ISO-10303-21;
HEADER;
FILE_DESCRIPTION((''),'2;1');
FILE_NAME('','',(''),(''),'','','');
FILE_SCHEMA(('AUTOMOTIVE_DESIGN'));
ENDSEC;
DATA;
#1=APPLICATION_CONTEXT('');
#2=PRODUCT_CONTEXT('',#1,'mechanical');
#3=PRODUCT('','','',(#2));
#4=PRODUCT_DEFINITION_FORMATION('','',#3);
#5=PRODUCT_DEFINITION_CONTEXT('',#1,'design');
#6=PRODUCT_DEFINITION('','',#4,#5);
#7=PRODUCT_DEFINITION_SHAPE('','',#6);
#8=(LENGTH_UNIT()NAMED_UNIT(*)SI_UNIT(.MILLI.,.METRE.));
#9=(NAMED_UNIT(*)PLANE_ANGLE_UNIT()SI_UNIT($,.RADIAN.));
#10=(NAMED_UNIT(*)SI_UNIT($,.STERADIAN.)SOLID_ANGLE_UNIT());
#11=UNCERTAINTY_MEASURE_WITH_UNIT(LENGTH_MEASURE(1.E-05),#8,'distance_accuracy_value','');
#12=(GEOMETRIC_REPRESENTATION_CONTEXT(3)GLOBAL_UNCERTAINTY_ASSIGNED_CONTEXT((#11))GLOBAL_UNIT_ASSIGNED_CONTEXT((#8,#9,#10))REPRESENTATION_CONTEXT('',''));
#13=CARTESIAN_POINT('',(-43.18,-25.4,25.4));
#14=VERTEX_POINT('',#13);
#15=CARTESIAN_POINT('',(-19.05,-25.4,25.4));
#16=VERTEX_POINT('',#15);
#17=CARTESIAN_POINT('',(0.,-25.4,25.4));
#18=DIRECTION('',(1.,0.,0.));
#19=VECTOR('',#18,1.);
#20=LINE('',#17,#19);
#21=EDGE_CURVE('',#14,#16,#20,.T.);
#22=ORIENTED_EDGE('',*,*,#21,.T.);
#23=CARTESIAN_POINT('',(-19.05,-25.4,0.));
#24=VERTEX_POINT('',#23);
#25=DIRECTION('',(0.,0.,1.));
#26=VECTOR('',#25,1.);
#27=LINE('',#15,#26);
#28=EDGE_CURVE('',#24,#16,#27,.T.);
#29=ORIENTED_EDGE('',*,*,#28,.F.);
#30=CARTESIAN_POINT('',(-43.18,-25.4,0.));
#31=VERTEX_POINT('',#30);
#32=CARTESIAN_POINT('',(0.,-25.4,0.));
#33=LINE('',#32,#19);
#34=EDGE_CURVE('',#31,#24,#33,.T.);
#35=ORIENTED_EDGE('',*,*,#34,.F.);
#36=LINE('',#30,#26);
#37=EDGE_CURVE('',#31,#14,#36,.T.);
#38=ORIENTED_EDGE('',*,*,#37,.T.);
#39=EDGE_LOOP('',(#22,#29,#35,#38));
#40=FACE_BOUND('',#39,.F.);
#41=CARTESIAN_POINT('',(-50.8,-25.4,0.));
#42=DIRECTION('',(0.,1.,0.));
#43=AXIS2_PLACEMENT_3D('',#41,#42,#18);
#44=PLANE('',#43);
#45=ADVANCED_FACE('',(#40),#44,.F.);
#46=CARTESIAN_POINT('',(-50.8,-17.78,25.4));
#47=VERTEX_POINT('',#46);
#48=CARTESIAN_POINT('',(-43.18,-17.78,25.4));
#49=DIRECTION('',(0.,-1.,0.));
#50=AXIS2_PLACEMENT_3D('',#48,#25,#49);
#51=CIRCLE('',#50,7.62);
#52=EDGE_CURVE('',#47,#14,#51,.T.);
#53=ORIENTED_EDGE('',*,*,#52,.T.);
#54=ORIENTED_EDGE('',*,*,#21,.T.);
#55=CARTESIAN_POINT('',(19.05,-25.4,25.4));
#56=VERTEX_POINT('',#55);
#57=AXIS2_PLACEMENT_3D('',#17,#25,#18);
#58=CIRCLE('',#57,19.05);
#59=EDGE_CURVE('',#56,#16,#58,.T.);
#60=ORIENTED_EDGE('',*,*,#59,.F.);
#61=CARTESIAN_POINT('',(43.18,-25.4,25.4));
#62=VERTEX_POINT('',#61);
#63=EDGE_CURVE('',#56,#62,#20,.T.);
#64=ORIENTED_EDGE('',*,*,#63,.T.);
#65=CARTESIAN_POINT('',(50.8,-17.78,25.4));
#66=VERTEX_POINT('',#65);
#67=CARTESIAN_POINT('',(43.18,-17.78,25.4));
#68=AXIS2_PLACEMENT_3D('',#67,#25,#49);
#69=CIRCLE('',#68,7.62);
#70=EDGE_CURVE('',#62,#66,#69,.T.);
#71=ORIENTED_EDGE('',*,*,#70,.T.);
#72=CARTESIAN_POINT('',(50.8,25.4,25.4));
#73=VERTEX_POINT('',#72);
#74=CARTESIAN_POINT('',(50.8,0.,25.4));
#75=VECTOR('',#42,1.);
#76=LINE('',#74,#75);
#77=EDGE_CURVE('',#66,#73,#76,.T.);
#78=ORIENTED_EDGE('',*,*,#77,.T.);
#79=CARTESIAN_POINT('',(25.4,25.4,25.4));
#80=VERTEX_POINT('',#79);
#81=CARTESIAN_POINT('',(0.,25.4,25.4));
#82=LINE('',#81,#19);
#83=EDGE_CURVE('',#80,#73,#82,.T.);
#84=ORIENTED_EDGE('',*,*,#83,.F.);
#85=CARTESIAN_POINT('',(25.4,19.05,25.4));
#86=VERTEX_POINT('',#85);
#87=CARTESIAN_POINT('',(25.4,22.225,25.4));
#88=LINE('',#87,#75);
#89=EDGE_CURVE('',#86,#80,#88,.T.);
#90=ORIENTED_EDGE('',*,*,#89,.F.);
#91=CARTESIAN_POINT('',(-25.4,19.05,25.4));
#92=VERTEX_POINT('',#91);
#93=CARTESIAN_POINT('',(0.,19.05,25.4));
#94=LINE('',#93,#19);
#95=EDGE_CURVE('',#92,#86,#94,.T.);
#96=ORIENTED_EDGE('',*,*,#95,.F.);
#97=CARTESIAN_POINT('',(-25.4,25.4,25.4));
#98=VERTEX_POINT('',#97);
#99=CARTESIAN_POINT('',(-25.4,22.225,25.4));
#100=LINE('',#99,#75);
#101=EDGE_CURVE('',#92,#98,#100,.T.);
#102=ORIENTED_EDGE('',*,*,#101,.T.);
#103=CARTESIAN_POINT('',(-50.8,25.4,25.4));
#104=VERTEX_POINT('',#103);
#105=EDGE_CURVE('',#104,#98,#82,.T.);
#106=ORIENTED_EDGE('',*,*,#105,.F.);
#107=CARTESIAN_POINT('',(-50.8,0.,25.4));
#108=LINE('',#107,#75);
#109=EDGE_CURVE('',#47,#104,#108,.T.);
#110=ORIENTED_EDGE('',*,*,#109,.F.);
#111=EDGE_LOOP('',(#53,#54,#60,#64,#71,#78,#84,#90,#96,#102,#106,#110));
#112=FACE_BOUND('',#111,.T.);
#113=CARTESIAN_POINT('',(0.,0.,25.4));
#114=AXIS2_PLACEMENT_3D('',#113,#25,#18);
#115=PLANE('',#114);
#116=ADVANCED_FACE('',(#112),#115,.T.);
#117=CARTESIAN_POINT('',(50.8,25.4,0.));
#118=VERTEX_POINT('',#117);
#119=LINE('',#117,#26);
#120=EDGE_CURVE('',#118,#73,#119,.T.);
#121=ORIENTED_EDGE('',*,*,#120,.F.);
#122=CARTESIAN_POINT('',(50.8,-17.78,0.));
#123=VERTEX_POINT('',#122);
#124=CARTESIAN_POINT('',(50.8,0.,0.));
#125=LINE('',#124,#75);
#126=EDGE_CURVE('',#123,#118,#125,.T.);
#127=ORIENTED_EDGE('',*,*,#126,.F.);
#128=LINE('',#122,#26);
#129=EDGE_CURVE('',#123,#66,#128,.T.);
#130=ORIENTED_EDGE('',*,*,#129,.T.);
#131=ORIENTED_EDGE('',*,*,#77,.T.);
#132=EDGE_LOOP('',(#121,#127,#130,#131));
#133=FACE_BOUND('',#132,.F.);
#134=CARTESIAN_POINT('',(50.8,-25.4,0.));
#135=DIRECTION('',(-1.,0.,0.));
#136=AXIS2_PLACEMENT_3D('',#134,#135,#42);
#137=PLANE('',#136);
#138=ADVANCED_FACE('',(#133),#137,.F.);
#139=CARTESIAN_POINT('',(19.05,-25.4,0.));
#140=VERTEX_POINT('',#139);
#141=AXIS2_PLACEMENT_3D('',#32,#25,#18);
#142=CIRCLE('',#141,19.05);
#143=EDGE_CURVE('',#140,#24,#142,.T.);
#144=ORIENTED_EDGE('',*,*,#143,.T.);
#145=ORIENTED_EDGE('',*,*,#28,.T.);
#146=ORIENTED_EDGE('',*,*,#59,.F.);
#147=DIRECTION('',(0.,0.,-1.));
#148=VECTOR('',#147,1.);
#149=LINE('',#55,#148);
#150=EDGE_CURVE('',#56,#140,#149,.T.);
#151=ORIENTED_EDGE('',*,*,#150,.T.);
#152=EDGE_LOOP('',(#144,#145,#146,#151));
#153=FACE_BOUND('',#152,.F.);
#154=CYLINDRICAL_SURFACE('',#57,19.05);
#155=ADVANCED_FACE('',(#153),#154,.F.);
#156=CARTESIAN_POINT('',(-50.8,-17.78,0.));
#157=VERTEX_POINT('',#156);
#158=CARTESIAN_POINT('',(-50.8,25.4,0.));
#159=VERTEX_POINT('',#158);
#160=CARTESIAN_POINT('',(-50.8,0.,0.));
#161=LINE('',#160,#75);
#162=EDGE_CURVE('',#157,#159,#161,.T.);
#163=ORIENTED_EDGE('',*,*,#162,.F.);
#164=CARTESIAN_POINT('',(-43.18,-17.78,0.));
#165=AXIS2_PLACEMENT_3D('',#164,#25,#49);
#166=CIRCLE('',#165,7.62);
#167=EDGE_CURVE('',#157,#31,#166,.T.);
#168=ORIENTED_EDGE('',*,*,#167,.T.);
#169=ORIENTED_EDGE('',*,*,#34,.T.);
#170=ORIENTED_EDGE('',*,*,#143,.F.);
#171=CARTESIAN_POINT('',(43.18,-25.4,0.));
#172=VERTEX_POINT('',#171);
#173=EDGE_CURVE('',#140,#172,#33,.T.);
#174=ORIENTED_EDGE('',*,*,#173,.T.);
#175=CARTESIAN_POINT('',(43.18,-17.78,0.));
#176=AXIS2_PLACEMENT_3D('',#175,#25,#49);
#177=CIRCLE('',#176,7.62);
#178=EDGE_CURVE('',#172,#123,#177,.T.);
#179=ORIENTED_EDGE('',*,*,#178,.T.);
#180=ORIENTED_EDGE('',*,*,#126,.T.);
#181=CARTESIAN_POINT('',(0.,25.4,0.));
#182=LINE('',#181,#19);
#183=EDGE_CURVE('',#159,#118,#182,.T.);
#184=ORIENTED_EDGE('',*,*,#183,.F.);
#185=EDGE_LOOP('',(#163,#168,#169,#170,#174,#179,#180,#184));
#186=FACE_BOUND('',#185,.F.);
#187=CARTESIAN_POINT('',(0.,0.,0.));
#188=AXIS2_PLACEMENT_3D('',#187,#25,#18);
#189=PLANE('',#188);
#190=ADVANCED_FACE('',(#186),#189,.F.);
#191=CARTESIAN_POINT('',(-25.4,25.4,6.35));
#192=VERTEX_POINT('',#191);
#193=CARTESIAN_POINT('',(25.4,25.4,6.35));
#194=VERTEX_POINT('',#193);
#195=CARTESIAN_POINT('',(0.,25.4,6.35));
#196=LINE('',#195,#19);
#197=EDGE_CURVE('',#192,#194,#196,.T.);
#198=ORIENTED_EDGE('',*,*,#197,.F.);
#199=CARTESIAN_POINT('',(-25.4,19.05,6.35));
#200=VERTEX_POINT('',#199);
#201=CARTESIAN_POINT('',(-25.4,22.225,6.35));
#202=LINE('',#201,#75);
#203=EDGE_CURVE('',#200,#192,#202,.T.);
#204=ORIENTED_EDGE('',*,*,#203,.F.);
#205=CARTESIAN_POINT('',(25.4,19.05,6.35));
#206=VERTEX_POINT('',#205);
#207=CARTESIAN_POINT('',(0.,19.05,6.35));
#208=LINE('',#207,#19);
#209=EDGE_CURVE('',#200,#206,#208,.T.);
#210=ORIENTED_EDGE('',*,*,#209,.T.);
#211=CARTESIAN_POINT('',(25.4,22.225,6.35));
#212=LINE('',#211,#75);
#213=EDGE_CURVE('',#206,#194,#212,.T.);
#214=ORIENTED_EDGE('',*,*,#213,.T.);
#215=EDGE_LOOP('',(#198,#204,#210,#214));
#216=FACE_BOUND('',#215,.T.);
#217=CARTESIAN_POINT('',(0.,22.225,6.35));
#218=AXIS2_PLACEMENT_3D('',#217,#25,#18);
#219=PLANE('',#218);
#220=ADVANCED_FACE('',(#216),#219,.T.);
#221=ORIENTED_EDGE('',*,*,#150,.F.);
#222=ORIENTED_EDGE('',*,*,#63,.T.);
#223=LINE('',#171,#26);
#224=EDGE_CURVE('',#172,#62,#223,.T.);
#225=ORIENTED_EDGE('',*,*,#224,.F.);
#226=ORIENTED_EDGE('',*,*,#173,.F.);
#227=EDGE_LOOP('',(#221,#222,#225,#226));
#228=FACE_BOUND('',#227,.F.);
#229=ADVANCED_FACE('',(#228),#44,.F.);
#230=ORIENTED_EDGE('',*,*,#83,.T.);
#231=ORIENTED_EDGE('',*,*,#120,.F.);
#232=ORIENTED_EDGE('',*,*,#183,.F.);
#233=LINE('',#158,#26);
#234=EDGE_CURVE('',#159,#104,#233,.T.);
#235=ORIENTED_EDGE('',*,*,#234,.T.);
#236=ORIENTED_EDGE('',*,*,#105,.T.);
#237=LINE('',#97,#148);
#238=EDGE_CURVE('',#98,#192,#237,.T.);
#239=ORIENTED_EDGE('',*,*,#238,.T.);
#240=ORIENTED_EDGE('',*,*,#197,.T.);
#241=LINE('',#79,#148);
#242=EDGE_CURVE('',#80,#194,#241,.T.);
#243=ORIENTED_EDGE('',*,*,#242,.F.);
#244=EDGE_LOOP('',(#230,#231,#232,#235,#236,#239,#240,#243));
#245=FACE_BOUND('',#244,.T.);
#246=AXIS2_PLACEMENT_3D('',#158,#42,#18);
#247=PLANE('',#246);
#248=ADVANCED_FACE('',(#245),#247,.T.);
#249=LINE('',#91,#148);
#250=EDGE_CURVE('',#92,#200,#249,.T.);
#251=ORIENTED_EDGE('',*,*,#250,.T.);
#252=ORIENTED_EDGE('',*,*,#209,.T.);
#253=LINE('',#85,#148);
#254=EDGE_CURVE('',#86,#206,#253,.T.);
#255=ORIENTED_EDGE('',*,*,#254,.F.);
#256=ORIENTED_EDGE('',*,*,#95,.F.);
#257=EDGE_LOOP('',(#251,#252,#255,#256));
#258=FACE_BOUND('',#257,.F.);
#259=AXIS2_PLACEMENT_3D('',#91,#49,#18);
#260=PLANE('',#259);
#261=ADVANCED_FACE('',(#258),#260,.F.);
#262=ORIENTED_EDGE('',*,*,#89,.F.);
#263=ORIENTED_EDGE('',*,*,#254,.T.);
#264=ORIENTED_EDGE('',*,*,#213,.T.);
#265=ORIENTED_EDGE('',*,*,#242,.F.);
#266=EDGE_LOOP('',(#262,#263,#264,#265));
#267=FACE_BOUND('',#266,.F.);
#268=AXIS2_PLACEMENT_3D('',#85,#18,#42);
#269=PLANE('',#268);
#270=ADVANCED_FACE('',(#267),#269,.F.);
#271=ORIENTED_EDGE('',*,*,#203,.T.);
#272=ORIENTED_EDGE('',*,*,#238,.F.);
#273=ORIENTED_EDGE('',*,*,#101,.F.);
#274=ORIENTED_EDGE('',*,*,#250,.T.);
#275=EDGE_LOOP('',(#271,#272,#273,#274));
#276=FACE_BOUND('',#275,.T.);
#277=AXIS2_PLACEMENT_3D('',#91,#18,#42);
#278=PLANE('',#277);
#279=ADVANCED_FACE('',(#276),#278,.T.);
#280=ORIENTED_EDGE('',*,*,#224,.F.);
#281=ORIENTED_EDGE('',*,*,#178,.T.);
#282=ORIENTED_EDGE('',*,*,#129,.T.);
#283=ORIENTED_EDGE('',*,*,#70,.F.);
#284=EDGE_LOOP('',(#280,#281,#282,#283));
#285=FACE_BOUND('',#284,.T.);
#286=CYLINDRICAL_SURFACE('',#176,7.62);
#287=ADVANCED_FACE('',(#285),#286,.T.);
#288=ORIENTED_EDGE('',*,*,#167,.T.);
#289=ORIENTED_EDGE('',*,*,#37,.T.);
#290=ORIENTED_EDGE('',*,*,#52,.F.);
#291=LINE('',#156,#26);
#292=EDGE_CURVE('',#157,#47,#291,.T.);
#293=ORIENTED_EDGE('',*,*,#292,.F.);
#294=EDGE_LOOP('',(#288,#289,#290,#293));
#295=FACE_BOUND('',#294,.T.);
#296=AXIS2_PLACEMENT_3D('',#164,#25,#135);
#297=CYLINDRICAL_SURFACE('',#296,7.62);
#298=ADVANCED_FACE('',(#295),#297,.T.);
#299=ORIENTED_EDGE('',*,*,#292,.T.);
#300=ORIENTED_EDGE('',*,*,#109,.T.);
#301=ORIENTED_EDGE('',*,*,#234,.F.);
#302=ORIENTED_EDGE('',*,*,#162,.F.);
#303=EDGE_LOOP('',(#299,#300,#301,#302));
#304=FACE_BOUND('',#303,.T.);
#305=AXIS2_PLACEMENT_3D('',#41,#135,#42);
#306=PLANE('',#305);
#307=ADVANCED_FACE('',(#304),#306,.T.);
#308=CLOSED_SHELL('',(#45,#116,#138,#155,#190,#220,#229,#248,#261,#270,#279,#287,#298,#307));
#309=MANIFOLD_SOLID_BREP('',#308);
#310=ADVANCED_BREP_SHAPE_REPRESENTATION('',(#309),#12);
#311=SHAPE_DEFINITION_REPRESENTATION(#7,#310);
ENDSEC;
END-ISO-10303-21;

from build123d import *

# Parameters (mm, degrees)
F0_W     = 101.6
F0_H     = 50.8
F1_DEPTH = 25.4
F2_R     = 7.62
F3_W     = 50.8
F3_H     = 6.35
F4_DEPTH = 19.05
F5_R     = 19.05
F6_DEPTH = 25.4


with BuildPart() as f1:
    # F0 (on Top) → F1 (new body)
    with BuildSketch(Plane.XY):
        Rectangle(F0_W, F0_H)
    extrude(amount=F1_DEPTH)

    # F2
    f2_edges = [f1.edges().sort_by_distance(p)[0] for p in [
        (-50.8, -25.4, 12.7),
        (50.8, -25.4, 12.7),
    ]]
    fillet(f2_edges, radius=F2_R)

    # F3 (on face) → F4 (cut)
    with BuildSketch(Plane.XY.offset(25.4)):
        with Locations((0, 22.225)):
            Rectangle(F3_W, F3_H)
    extrude(amount=-F4_DEPTH, mode=Mode.SUBTRACT)

    # F5 (on face) → F6 (cut)
    with BuildSketch(Plane.XY.offset(25.4)):
        with Locations((0, -25.4)):
            Circle(F5_R)
    extrude(amount=-F6_DEPTH, mode=Mode.SUBTRACT)


solid = f1.part
